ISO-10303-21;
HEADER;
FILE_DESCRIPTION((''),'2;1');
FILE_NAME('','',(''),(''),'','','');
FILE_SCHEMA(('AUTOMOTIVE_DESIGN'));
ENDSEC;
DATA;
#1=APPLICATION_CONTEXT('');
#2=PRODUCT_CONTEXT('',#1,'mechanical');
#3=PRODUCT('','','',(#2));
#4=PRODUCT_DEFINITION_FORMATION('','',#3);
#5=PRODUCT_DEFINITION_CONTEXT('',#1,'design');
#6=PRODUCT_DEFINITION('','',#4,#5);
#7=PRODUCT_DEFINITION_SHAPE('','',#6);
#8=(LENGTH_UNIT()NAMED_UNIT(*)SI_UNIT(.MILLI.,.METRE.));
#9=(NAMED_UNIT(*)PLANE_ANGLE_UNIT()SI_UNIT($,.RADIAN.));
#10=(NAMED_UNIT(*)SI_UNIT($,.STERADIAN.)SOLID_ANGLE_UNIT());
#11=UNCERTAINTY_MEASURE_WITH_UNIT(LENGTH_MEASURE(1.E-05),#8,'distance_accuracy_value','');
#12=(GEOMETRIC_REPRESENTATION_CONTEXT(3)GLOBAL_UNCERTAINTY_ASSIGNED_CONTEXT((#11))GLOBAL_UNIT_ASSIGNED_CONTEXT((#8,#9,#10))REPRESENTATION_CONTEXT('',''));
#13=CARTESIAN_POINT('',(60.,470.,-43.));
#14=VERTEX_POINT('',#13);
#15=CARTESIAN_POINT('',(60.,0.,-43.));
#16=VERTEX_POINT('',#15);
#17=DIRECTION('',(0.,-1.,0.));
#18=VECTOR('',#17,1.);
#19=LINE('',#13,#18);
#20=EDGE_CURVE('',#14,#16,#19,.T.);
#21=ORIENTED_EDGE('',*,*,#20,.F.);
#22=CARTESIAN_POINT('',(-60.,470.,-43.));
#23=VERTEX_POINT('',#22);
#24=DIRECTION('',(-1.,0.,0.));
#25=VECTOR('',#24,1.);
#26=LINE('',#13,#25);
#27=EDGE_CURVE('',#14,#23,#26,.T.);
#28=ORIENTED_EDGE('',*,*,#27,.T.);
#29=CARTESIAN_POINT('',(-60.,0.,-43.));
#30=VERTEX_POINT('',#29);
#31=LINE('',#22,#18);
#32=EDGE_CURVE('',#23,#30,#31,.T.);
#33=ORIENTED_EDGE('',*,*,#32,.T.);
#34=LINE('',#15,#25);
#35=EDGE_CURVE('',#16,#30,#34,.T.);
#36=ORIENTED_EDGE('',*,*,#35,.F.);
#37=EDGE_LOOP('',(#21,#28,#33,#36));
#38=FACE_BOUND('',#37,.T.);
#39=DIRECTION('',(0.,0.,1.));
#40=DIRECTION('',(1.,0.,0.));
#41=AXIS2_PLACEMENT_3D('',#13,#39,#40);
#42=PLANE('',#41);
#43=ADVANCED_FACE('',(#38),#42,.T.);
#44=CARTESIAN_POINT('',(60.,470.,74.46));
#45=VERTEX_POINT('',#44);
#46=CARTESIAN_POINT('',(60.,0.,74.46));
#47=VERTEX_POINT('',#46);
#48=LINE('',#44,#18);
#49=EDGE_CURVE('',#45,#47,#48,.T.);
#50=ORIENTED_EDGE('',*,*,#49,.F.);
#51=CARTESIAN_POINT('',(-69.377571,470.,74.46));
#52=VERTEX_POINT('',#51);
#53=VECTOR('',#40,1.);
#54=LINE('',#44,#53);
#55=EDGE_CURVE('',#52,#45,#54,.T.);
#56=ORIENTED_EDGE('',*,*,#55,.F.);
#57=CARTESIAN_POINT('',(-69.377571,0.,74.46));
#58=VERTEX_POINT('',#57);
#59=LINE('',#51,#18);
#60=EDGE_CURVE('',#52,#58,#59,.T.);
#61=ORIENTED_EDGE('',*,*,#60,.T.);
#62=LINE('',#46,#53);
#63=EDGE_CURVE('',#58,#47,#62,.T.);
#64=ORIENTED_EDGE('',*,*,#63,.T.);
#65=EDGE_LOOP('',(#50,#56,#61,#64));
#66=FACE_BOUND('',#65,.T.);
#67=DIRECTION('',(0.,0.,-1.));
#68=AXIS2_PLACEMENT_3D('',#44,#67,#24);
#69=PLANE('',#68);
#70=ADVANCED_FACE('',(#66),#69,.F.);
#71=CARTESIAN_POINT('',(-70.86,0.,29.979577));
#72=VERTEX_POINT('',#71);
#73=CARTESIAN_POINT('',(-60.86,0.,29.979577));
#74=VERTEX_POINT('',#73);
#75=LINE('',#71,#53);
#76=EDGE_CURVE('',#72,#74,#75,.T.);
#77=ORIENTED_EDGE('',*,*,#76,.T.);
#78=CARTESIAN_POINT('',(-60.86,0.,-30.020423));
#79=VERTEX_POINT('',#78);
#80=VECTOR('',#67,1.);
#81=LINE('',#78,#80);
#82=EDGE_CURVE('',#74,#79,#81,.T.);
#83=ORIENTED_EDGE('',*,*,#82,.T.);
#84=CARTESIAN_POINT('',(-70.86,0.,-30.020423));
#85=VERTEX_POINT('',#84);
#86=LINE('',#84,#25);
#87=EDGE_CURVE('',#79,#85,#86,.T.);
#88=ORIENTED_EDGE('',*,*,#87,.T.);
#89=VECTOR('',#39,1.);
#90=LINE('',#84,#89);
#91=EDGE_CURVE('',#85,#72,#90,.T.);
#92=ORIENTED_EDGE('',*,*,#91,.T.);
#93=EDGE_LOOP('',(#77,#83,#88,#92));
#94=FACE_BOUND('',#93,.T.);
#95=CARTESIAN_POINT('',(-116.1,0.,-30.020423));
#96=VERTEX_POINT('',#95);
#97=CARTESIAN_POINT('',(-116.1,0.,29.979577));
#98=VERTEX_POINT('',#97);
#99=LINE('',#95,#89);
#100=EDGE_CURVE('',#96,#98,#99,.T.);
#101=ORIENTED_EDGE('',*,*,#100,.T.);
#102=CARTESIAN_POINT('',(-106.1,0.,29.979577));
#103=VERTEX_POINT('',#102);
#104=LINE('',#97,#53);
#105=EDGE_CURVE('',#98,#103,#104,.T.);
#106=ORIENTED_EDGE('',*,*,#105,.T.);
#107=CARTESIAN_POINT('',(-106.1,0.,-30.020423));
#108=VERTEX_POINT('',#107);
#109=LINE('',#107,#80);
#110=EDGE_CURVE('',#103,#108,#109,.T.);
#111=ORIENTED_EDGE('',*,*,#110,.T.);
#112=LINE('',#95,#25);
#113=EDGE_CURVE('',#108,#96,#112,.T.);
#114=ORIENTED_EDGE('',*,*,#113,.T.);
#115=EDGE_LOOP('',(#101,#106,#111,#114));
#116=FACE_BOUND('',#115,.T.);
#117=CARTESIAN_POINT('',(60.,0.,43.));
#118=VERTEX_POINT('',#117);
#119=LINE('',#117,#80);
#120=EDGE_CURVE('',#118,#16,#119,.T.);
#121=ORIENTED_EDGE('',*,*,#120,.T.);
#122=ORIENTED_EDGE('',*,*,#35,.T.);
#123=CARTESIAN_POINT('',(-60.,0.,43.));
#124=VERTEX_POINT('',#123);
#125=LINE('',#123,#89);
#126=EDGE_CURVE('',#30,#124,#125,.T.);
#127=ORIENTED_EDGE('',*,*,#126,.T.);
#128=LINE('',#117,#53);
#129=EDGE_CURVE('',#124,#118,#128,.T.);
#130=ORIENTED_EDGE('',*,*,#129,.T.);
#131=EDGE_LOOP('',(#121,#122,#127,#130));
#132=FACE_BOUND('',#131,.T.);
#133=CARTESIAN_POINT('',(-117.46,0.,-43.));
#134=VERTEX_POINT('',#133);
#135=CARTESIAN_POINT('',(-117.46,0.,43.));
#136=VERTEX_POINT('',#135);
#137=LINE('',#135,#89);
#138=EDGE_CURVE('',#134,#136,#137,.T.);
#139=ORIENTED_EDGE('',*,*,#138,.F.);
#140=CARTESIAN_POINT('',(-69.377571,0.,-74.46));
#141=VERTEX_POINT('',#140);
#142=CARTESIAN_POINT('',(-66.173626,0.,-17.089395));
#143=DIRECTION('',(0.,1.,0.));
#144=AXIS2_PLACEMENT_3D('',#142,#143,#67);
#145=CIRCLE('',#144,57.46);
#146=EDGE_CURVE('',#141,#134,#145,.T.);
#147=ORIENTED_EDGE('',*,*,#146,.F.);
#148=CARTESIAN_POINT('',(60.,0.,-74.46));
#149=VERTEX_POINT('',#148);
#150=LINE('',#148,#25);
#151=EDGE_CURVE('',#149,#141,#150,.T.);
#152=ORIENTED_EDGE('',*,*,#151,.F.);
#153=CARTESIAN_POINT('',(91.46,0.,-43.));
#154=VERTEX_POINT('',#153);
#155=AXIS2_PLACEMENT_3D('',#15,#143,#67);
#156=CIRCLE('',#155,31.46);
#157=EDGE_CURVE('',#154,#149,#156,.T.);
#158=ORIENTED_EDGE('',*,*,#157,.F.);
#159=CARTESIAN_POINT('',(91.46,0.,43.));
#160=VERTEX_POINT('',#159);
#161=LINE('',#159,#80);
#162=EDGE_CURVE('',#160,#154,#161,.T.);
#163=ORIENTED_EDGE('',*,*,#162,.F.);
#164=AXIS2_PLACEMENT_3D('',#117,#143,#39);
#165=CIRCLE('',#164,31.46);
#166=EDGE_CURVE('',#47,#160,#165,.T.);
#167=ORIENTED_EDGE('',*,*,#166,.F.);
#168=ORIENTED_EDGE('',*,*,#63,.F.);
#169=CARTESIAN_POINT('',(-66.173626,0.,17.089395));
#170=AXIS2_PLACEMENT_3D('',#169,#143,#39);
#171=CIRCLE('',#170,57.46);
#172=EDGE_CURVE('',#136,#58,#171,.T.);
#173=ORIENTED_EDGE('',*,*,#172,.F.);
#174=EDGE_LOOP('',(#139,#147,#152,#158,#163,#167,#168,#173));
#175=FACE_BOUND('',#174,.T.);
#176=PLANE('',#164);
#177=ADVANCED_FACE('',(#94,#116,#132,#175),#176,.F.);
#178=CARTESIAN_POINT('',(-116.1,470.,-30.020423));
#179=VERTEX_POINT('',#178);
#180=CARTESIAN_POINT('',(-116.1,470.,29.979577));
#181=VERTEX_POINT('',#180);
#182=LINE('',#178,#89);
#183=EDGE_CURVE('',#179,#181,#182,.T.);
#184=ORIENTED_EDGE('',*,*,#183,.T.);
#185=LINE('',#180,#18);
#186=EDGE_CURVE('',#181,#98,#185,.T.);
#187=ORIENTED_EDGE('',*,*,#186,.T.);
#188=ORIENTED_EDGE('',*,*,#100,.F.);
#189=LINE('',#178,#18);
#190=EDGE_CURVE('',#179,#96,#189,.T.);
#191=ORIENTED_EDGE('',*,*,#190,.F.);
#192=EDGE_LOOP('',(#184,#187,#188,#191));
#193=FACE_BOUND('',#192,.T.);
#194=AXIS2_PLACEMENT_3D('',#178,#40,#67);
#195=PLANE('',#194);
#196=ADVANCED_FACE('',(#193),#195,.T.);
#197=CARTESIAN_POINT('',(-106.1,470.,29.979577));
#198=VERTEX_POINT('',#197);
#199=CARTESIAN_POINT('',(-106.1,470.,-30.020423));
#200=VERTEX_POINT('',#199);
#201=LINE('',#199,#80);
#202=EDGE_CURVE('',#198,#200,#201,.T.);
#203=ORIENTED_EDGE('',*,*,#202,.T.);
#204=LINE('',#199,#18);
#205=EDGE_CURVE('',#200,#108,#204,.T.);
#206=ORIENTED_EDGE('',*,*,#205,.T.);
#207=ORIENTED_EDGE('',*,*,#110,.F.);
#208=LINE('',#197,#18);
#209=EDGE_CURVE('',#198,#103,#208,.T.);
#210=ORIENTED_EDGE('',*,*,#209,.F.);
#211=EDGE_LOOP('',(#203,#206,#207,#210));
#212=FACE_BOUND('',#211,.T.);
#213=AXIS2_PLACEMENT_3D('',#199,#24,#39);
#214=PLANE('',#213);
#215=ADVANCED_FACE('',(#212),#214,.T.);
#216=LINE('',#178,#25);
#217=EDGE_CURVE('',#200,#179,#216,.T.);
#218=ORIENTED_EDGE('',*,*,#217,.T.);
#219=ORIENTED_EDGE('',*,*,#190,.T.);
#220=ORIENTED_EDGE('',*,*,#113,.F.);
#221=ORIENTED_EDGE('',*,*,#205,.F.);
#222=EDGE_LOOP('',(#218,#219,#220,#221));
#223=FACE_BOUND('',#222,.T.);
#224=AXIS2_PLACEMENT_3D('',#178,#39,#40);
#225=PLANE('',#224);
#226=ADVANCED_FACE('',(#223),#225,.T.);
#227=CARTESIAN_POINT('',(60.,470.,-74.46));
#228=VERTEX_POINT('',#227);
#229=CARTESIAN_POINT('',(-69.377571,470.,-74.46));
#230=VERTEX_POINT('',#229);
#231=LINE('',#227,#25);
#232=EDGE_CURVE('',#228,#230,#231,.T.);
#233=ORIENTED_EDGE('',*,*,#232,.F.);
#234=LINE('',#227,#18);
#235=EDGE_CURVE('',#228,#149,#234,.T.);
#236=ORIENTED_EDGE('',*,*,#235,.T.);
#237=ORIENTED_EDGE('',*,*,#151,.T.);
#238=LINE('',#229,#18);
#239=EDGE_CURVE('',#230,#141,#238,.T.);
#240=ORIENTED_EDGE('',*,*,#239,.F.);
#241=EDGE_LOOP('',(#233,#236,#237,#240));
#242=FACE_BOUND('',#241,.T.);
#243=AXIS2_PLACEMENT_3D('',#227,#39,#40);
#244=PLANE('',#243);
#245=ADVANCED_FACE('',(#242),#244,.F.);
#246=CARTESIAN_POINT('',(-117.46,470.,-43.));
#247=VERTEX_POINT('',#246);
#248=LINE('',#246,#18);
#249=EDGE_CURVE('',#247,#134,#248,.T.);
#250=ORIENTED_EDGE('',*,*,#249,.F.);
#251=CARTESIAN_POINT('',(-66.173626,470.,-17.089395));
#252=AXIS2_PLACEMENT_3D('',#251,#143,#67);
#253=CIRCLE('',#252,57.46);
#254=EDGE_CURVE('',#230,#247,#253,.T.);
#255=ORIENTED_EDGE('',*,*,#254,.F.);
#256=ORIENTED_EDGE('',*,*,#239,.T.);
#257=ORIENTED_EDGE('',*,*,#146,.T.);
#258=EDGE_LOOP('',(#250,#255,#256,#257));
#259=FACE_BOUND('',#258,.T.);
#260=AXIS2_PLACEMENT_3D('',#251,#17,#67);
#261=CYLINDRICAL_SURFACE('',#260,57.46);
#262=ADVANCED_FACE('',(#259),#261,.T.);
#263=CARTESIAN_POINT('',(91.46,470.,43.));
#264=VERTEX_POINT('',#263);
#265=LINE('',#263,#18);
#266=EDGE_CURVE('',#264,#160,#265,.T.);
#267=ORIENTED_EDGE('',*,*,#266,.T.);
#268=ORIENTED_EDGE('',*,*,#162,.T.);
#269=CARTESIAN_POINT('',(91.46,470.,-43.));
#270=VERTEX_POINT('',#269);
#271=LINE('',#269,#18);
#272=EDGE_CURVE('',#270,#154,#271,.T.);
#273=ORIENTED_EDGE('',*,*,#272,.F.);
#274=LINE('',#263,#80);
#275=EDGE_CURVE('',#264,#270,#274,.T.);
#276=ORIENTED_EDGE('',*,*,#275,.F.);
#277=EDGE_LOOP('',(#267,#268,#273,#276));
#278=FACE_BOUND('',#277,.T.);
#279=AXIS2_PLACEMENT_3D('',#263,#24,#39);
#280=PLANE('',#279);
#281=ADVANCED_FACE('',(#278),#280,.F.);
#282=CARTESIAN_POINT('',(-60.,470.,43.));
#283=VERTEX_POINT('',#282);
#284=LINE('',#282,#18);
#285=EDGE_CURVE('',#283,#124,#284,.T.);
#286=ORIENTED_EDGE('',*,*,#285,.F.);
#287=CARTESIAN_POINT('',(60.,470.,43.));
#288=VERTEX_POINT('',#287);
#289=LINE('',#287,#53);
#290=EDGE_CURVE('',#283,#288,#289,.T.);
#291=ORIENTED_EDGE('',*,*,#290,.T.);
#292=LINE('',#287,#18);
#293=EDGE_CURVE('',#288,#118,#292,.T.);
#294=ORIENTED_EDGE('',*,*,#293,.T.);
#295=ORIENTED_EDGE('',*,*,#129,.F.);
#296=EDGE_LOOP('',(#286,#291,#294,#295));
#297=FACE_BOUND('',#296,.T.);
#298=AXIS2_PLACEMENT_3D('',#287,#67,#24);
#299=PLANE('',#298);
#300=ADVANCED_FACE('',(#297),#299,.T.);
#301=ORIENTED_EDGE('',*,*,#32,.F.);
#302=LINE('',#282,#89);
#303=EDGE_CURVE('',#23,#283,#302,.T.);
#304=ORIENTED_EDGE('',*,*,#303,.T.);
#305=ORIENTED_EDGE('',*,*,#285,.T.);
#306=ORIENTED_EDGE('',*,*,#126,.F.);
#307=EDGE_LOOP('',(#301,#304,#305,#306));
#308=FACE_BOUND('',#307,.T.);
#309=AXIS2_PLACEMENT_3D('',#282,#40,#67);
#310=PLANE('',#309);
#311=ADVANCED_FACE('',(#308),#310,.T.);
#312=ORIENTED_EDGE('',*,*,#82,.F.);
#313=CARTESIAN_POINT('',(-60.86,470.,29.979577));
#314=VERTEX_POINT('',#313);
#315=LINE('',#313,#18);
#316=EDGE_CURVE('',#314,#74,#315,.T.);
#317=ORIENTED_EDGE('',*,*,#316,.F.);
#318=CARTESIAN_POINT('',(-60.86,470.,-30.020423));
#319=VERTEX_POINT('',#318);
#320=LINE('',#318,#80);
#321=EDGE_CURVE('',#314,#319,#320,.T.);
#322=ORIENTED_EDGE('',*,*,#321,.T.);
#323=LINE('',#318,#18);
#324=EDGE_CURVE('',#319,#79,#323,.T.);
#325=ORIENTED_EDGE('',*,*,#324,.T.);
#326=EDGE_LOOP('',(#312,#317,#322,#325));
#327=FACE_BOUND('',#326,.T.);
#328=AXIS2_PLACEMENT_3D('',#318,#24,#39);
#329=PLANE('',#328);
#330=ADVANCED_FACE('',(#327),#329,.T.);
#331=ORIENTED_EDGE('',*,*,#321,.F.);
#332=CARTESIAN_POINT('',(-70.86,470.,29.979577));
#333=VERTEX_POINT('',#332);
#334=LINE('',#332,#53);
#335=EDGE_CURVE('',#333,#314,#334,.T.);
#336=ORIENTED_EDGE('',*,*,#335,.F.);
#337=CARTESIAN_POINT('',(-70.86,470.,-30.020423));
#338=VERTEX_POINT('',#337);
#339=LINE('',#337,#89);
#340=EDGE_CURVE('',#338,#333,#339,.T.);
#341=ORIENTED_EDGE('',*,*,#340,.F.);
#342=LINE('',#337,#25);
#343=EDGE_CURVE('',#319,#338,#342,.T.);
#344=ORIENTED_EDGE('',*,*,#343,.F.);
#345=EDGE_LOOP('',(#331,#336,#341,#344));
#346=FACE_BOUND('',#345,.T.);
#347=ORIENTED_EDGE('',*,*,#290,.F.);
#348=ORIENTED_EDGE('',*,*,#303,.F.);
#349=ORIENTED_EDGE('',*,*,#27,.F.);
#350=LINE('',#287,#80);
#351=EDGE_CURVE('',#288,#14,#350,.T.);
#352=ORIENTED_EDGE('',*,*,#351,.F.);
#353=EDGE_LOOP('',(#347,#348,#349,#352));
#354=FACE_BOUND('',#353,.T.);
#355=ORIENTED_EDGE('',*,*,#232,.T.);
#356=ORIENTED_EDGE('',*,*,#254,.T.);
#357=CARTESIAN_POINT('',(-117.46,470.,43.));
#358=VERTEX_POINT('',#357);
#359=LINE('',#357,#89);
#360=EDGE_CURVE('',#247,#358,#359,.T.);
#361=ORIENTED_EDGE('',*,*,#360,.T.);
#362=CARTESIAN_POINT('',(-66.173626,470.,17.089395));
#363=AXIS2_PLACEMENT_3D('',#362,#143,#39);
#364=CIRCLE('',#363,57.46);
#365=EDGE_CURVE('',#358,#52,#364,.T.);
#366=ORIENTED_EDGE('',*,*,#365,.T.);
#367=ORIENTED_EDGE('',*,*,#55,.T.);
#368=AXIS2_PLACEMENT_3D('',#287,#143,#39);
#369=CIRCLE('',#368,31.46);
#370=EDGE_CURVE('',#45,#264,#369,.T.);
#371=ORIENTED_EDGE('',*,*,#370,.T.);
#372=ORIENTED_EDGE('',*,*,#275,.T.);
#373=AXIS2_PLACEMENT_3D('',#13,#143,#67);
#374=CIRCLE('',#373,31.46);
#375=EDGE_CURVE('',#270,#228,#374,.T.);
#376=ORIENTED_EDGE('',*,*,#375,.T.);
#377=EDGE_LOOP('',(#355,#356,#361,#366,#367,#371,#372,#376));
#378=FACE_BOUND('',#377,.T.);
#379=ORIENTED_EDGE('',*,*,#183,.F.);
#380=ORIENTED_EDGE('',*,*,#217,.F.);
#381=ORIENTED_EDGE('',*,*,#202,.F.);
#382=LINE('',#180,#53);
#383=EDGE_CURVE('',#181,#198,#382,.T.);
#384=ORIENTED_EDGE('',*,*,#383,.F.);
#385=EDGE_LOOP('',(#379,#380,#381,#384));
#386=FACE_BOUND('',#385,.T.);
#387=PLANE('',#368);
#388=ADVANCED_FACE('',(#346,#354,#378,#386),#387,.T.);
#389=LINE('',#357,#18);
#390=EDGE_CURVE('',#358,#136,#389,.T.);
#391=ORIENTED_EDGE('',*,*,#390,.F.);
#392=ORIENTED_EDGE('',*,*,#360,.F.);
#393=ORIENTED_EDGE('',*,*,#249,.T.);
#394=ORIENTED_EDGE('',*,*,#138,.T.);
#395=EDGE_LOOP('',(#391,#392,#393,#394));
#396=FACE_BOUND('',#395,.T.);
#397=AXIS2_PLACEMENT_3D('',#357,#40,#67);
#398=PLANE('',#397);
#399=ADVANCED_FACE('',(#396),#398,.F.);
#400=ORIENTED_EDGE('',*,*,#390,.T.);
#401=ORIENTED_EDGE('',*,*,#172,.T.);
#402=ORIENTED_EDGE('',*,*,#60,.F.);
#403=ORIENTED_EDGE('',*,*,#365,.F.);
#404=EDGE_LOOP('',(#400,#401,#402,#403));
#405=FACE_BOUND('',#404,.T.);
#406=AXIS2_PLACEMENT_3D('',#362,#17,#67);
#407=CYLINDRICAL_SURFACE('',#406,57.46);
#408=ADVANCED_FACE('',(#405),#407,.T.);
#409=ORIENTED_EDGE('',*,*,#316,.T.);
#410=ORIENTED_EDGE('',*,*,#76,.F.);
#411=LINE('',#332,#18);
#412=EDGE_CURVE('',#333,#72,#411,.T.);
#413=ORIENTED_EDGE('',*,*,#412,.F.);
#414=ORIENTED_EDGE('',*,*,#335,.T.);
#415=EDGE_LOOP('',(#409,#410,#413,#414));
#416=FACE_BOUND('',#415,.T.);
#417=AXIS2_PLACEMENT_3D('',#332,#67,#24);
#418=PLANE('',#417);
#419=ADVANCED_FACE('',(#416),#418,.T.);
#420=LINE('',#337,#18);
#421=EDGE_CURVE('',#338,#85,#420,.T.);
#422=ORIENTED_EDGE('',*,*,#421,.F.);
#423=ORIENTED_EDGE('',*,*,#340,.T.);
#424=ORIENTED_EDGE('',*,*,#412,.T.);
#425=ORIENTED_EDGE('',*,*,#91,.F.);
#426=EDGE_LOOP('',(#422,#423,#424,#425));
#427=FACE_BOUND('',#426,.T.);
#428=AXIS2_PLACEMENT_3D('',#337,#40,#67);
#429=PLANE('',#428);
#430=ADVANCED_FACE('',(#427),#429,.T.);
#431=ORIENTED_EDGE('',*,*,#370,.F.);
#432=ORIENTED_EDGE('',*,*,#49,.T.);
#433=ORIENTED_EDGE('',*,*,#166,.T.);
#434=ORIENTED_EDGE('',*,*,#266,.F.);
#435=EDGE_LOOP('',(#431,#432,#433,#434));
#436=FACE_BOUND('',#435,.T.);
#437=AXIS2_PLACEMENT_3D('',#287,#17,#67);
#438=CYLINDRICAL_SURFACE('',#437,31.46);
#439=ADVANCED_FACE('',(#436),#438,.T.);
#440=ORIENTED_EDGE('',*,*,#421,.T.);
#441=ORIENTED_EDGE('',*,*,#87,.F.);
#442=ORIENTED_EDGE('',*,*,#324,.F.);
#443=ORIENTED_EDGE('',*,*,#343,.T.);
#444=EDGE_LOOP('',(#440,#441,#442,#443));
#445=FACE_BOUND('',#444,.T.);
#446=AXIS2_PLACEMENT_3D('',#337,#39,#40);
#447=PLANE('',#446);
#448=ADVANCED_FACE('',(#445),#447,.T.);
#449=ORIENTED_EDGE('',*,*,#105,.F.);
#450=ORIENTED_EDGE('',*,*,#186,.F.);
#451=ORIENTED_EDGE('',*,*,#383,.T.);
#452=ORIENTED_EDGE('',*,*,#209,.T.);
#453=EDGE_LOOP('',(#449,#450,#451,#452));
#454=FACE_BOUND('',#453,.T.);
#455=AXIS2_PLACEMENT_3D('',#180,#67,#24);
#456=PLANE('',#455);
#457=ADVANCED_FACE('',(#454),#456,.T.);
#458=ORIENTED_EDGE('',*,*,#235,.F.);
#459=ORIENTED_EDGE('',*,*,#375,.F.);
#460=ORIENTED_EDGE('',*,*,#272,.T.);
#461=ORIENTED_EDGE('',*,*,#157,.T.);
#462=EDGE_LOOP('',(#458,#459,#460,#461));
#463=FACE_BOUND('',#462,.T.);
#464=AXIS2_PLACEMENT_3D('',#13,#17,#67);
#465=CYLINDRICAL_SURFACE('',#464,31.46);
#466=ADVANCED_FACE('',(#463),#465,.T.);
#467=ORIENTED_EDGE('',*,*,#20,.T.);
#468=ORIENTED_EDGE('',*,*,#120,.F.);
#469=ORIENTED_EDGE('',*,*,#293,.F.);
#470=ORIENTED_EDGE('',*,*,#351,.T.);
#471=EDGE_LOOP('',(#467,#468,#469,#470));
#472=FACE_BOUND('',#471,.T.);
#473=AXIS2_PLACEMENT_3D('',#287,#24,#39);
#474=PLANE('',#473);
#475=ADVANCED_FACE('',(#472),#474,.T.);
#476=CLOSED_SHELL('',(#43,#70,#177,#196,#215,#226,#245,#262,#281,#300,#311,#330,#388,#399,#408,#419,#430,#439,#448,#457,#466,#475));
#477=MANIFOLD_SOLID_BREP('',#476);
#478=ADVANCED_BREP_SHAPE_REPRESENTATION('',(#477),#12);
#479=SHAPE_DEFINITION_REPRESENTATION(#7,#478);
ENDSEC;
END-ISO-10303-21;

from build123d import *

# Parameters (mm, degrees)
SKETCH1_W           = 120
SKETCH1_H           = 86
SKETCH1_W_2         = 10
SKETCH1_H_2         = 60
BOSS_EXTRUDE1_DEPTH = 470


with BuildPart() as part:
    # Sketch1 → Boss-Extrude1 (new body)
    with BuildSketch(Plane(origin=(0, 0, 0), x_dir=(1, 0, 0), z_dir=(0, 1, 0))):
        with BuildLine():
            Line((60, 74.46), (-69.377570777, 74.46))
            ThreePointArc((-69.377570777, 74.46), (-97.633626185, 65.17182404), (-117.46, 43))
            Line((-117.46, 43), (-117.46, -43))
            ThreePointArc((-117.46, -43), (-97.633626185, -65.17182404), (-69.377570777, -74.46))
            Line((-69.377570777, -74.46), (60, -74.46))
            ThreePointArc((60, -74.46), (82.245579336, -65.245579336), (91.46, -43))
            Line((91.46, -43), (91.46, 43))
            ThreePointArc((91.46, 43), (82.245579336, 65.245579336), (60, 74.46))
        make_face()
        Rectangle(SKETCH1_W, SKETCH1_H, mode=Mode.SUBTRACT)
        with Locations((-65.86, 0.020423388)):
            Rectangle(SKETCH1_W_2, SKETCH1_H_2, mode=Mode.SUBTRACT)
        with Locations((-111.1, 0.020423388)):
            Rectangle(SKETCH1_W_2, SKETCH1_H_2, mode=Mode.SUBTRACT)
    extrude(amount=BOSS_EXTRUDE1_DEPTH)


solid = part.part
